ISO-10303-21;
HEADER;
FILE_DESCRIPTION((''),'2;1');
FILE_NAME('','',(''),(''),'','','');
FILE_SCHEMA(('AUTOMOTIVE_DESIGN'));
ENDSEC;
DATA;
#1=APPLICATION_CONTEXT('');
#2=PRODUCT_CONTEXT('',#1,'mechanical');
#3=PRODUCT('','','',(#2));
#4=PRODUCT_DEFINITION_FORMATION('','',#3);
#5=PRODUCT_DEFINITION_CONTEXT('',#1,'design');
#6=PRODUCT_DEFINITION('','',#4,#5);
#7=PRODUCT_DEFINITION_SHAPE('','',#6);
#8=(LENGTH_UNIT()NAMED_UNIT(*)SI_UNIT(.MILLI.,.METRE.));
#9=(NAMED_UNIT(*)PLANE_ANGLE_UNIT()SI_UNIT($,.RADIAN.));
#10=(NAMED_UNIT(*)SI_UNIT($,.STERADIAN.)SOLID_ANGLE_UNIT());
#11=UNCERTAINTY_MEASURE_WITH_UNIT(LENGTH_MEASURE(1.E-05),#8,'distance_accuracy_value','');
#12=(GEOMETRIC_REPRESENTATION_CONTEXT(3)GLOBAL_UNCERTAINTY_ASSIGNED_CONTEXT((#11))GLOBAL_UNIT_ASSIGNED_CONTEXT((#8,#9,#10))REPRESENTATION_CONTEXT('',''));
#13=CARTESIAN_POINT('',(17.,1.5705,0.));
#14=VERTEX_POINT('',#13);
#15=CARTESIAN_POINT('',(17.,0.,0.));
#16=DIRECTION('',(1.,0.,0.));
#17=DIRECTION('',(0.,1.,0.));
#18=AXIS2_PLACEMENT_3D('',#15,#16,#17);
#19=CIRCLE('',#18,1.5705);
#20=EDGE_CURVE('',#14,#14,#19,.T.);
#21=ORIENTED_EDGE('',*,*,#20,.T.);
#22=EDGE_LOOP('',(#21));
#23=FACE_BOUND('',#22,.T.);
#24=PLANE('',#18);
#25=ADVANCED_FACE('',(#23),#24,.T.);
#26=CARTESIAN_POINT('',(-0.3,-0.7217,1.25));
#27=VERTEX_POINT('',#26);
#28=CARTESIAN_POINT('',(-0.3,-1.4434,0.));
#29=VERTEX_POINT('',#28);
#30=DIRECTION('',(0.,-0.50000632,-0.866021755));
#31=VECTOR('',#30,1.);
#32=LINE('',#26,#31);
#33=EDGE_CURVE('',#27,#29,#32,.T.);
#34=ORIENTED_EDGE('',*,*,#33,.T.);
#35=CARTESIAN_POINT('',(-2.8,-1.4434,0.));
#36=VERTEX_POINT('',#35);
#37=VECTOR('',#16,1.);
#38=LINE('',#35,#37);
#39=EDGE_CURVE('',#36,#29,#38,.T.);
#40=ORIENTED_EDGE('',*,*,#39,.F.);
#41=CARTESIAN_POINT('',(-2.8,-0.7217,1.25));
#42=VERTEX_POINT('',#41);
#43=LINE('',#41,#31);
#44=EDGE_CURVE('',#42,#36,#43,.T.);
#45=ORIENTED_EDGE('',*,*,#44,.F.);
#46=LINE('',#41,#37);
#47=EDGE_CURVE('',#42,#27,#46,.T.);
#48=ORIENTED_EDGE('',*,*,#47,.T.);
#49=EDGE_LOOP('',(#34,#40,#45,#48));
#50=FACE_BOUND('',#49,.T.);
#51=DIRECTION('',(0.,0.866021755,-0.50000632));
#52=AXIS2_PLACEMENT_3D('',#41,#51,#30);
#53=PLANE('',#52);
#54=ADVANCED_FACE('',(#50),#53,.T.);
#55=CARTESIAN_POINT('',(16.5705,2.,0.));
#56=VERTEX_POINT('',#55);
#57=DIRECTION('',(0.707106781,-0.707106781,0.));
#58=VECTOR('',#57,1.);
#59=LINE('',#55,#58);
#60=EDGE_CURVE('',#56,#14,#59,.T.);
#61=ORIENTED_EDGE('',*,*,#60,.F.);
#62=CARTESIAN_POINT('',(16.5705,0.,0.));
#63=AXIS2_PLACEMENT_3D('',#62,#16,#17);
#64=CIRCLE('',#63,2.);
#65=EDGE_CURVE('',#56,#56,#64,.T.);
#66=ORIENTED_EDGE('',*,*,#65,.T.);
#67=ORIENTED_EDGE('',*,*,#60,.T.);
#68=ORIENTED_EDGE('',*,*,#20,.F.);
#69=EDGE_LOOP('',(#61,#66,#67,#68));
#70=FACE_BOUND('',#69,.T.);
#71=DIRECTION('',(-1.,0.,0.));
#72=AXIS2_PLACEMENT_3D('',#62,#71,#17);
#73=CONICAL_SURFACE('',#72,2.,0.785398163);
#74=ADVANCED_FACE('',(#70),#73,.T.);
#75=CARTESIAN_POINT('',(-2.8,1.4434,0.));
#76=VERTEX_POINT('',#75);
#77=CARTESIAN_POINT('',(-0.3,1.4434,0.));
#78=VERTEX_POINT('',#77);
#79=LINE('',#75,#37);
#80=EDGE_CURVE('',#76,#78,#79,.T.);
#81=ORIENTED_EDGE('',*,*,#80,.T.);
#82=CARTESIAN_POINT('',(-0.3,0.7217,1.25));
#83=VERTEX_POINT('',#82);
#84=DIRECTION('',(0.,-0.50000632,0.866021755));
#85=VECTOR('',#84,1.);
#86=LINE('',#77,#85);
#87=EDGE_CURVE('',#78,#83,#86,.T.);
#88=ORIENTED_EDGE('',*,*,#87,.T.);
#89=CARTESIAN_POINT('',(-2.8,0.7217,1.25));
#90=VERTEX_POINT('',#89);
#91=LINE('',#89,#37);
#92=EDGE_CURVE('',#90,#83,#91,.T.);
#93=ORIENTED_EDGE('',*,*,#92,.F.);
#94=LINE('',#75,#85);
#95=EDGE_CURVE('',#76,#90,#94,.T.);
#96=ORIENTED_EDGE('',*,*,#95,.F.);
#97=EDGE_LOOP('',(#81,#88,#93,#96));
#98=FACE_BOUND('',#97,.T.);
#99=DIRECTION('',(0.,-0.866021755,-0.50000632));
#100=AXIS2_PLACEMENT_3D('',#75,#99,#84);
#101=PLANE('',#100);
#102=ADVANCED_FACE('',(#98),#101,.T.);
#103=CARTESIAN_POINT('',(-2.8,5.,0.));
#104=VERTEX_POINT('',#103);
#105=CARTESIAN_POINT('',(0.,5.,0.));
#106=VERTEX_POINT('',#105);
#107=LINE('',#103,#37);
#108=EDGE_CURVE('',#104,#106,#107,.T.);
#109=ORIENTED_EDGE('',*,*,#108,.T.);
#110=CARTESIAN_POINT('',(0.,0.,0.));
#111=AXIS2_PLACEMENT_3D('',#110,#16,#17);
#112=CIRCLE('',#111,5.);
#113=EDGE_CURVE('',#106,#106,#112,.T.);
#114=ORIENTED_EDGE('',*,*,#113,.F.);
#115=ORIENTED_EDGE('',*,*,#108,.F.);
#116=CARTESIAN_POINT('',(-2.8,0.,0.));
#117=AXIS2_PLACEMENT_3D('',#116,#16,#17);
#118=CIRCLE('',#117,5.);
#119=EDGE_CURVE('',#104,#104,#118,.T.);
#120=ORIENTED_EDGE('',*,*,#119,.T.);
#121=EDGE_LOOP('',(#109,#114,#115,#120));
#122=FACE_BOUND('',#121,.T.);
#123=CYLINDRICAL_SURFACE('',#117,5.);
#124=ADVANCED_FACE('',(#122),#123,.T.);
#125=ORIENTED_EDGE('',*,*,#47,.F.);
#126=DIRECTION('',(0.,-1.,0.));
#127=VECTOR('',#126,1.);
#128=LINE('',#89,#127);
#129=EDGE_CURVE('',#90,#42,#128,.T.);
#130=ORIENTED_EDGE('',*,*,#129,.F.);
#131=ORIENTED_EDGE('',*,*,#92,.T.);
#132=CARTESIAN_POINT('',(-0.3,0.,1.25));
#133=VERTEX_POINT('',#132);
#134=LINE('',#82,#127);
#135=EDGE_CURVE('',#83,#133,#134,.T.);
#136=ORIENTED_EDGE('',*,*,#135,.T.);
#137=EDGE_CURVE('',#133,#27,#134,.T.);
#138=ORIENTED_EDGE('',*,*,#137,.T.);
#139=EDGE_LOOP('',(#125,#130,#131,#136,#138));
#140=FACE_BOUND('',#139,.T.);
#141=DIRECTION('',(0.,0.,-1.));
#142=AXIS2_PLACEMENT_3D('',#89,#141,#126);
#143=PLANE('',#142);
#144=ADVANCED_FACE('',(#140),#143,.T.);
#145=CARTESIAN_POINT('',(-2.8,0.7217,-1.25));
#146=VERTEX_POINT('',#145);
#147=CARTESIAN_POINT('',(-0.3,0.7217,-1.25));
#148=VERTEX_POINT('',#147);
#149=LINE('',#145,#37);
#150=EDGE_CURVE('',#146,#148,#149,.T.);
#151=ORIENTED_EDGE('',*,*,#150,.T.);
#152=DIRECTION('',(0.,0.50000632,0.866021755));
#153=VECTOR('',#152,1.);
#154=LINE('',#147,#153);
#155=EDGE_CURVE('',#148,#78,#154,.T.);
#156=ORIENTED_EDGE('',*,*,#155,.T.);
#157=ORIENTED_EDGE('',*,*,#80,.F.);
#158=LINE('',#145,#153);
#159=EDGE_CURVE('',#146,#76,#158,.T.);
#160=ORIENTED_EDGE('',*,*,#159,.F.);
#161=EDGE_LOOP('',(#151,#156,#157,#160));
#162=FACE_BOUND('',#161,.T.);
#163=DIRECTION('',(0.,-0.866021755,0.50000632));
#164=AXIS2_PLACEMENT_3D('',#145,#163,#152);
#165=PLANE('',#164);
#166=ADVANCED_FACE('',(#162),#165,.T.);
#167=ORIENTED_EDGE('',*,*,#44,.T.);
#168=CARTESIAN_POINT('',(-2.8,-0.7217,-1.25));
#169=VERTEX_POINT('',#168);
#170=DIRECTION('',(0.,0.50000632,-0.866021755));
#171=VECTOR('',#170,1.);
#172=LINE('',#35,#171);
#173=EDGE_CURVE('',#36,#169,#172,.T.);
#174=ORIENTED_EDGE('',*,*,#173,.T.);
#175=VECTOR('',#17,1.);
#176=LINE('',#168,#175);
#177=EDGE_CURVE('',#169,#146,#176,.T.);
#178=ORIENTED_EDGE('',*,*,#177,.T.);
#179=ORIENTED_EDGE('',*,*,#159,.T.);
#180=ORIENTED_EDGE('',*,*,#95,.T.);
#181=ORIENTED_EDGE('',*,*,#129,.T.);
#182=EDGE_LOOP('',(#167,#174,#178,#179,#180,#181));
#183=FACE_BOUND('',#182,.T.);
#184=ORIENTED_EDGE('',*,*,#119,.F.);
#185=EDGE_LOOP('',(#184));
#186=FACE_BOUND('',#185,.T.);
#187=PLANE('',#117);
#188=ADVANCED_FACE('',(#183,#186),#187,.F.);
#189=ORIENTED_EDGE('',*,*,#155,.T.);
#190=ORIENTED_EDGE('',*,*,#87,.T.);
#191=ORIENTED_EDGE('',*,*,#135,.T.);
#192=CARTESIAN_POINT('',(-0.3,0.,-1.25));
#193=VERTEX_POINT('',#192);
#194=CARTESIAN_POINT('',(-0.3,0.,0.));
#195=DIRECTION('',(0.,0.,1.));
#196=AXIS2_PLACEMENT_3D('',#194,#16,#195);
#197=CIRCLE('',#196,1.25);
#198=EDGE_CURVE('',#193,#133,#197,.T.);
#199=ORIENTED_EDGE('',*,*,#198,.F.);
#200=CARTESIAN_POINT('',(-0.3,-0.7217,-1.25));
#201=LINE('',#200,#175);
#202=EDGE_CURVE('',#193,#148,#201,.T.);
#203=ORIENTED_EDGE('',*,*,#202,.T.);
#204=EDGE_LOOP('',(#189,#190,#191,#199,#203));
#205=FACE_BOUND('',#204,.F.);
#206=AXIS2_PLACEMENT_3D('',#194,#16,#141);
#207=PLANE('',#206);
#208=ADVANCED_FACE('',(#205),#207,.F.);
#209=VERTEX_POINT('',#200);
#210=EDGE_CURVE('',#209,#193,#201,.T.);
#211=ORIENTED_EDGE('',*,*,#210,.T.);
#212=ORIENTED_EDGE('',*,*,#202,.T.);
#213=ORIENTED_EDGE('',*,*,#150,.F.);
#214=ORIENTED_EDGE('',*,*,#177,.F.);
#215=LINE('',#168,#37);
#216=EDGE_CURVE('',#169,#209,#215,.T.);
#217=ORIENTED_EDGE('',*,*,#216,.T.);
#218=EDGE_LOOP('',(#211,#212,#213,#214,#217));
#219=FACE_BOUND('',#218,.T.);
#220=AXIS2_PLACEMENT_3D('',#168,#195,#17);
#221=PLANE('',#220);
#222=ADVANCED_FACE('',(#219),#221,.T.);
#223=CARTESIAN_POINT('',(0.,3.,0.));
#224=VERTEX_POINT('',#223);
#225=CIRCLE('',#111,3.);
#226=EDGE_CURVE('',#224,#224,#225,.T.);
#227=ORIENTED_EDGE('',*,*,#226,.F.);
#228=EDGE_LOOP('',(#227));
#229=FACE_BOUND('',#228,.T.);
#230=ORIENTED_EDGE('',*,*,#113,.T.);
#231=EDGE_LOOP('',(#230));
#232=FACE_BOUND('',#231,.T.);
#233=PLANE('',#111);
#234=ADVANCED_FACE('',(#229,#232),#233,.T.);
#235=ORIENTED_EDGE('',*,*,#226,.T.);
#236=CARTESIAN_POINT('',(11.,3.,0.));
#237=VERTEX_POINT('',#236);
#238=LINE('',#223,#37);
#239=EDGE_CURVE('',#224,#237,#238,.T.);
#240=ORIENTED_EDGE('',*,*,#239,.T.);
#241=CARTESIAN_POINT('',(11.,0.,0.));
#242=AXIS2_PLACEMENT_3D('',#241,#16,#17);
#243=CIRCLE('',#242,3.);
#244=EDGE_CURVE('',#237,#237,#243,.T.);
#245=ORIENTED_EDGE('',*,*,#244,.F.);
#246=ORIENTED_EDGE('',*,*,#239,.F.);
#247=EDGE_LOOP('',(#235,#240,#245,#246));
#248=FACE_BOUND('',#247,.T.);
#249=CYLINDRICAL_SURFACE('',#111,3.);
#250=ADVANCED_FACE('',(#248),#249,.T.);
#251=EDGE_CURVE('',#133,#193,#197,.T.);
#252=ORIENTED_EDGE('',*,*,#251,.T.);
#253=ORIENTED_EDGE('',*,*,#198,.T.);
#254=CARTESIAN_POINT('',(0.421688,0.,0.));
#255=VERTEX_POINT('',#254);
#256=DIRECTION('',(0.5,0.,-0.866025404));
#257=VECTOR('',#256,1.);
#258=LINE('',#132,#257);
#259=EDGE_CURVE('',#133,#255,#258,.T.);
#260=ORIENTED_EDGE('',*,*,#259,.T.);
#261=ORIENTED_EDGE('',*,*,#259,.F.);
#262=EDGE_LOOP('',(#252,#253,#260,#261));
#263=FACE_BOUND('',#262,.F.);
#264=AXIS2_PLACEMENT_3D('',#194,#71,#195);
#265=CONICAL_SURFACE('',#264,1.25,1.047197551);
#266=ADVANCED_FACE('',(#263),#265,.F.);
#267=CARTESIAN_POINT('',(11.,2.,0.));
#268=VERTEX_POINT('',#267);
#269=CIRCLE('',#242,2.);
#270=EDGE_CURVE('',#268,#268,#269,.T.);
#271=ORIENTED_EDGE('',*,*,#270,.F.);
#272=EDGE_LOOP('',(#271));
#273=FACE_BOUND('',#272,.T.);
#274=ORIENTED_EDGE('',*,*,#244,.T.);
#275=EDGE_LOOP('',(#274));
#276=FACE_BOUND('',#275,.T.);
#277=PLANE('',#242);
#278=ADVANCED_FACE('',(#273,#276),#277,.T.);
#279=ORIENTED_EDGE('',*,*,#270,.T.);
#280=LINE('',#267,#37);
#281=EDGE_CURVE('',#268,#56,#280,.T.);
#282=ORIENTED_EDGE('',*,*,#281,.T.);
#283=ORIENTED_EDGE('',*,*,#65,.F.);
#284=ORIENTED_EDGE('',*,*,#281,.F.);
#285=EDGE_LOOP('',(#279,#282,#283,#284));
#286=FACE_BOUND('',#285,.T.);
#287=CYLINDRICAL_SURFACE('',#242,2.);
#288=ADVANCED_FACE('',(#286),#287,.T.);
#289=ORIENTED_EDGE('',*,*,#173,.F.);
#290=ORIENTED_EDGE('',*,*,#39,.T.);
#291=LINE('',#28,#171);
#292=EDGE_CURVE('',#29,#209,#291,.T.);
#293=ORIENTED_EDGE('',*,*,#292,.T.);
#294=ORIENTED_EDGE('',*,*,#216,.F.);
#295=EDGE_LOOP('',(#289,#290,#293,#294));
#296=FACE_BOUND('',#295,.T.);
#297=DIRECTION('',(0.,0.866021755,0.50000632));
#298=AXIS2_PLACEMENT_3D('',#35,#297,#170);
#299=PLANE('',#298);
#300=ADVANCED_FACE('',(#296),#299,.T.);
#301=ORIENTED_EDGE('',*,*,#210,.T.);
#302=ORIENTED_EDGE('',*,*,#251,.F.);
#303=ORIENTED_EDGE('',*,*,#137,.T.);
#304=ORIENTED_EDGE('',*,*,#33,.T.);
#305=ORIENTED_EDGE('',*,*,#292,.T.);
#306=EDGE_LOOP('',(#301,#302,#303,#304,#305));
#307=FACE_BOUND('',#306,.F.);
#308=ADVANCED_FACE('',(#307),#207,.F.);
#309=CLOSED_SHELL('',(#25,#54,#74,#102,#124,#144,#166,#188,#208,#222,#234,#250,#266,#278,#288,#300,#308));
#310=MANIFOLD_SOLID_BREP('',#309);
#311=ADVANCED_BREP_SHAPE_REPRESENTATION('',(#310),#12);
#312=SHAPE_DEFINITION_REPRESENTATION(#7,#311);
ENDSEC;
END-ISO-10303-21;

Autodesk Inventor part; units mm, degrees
ref_plane "YZ Plane" through (0, 0, 0) normal (1, 0, 0) x (0, 1, 0)
ref_plane "XZ Plane" through (0, 0, 0) normal (0, 1, 0) x (-1, 0, 0)
ref_plane "XY Plane" through (0, 0, 0) normal (0, 0, 1) x (1, 0, 0)
sketch "Sketch_1" plane through (0, 0, 0) normal (0, 0, 1) x (1, 0, 0)
  line L0 (11, 0) -> (-2.8, 0)
  line L1 (-2.8, 0) -> (-2.8, 5)
  line L2 (-2.8, 5) -> (0, 5)
  line L3 (0, 5) -> (0, 3)
  line L4 (0, 3) -> (11, 3)
  line L5 (11, 3) -> (11, 0)
  line L6 (11, 0) -> (-2.8, 0)
revolve "Revolution1" add sketch "Sketch_1" angle 360 about axis through (11, 0, 0) along (1, 0, 0)
sketch "Sketch2" plane through (-2.8, 0, 0) normal (-1, 0, 0) x (0, 0, 1)
  point P0 (0, 0)
hole "Hole1" at (-2.8, 0, 0) direction (1, 0, 0) diameter 2.5 depth 2.5 tip angle 120
sketch "Sketch_3" plane through (-2.8, 0, 0) normal (1, 0, 0) x (0, 0, -1)
  line L0 (-1.25, -0.7217) -> (0, -1.4434)
  line L1 (0, -1.4434) -> (1.25, -0.7217)
  line L2 (1.25, -0.7217) -> (1.25, 0.7217)
  line L3 (1.25, 0.7217) -> (0, 1.4434)
  line L4 (0, 1.4434) -> (-1.25, 0.7217)
  line L5 (-1.25, 0.7217) -> (-1.25, -0.7217)
extrude "Extrusion1" cut sketch "Sketch_3" along normal blind 2.5
sketch "Sketch_6" plane through (0, 0, 0) normal (0, 0, 1) x (1, 0, 0)
  line L0 (17, 0) -> (11, 0)
  line L1 (11, 0) -> (11, 2)
  line L2 (11, 2) -> (16.5705, 2)
  line L3 (16.5705, 2) -> (17, 1.5705)
  line L4 (17, 1.5705) -> (17, 0)
  line L5 (17, 0) -> (11, 0)
revolve "Revolution2" add sketch "Sketch_6" angle 360 about axis through (17, 0, 0) along (1, 0, 0)
thread "Thread1" size "M4x0.7" class "6g" standard "ISO Metric profile" length 4.3705
properties part number "DBTS4-11-6"
